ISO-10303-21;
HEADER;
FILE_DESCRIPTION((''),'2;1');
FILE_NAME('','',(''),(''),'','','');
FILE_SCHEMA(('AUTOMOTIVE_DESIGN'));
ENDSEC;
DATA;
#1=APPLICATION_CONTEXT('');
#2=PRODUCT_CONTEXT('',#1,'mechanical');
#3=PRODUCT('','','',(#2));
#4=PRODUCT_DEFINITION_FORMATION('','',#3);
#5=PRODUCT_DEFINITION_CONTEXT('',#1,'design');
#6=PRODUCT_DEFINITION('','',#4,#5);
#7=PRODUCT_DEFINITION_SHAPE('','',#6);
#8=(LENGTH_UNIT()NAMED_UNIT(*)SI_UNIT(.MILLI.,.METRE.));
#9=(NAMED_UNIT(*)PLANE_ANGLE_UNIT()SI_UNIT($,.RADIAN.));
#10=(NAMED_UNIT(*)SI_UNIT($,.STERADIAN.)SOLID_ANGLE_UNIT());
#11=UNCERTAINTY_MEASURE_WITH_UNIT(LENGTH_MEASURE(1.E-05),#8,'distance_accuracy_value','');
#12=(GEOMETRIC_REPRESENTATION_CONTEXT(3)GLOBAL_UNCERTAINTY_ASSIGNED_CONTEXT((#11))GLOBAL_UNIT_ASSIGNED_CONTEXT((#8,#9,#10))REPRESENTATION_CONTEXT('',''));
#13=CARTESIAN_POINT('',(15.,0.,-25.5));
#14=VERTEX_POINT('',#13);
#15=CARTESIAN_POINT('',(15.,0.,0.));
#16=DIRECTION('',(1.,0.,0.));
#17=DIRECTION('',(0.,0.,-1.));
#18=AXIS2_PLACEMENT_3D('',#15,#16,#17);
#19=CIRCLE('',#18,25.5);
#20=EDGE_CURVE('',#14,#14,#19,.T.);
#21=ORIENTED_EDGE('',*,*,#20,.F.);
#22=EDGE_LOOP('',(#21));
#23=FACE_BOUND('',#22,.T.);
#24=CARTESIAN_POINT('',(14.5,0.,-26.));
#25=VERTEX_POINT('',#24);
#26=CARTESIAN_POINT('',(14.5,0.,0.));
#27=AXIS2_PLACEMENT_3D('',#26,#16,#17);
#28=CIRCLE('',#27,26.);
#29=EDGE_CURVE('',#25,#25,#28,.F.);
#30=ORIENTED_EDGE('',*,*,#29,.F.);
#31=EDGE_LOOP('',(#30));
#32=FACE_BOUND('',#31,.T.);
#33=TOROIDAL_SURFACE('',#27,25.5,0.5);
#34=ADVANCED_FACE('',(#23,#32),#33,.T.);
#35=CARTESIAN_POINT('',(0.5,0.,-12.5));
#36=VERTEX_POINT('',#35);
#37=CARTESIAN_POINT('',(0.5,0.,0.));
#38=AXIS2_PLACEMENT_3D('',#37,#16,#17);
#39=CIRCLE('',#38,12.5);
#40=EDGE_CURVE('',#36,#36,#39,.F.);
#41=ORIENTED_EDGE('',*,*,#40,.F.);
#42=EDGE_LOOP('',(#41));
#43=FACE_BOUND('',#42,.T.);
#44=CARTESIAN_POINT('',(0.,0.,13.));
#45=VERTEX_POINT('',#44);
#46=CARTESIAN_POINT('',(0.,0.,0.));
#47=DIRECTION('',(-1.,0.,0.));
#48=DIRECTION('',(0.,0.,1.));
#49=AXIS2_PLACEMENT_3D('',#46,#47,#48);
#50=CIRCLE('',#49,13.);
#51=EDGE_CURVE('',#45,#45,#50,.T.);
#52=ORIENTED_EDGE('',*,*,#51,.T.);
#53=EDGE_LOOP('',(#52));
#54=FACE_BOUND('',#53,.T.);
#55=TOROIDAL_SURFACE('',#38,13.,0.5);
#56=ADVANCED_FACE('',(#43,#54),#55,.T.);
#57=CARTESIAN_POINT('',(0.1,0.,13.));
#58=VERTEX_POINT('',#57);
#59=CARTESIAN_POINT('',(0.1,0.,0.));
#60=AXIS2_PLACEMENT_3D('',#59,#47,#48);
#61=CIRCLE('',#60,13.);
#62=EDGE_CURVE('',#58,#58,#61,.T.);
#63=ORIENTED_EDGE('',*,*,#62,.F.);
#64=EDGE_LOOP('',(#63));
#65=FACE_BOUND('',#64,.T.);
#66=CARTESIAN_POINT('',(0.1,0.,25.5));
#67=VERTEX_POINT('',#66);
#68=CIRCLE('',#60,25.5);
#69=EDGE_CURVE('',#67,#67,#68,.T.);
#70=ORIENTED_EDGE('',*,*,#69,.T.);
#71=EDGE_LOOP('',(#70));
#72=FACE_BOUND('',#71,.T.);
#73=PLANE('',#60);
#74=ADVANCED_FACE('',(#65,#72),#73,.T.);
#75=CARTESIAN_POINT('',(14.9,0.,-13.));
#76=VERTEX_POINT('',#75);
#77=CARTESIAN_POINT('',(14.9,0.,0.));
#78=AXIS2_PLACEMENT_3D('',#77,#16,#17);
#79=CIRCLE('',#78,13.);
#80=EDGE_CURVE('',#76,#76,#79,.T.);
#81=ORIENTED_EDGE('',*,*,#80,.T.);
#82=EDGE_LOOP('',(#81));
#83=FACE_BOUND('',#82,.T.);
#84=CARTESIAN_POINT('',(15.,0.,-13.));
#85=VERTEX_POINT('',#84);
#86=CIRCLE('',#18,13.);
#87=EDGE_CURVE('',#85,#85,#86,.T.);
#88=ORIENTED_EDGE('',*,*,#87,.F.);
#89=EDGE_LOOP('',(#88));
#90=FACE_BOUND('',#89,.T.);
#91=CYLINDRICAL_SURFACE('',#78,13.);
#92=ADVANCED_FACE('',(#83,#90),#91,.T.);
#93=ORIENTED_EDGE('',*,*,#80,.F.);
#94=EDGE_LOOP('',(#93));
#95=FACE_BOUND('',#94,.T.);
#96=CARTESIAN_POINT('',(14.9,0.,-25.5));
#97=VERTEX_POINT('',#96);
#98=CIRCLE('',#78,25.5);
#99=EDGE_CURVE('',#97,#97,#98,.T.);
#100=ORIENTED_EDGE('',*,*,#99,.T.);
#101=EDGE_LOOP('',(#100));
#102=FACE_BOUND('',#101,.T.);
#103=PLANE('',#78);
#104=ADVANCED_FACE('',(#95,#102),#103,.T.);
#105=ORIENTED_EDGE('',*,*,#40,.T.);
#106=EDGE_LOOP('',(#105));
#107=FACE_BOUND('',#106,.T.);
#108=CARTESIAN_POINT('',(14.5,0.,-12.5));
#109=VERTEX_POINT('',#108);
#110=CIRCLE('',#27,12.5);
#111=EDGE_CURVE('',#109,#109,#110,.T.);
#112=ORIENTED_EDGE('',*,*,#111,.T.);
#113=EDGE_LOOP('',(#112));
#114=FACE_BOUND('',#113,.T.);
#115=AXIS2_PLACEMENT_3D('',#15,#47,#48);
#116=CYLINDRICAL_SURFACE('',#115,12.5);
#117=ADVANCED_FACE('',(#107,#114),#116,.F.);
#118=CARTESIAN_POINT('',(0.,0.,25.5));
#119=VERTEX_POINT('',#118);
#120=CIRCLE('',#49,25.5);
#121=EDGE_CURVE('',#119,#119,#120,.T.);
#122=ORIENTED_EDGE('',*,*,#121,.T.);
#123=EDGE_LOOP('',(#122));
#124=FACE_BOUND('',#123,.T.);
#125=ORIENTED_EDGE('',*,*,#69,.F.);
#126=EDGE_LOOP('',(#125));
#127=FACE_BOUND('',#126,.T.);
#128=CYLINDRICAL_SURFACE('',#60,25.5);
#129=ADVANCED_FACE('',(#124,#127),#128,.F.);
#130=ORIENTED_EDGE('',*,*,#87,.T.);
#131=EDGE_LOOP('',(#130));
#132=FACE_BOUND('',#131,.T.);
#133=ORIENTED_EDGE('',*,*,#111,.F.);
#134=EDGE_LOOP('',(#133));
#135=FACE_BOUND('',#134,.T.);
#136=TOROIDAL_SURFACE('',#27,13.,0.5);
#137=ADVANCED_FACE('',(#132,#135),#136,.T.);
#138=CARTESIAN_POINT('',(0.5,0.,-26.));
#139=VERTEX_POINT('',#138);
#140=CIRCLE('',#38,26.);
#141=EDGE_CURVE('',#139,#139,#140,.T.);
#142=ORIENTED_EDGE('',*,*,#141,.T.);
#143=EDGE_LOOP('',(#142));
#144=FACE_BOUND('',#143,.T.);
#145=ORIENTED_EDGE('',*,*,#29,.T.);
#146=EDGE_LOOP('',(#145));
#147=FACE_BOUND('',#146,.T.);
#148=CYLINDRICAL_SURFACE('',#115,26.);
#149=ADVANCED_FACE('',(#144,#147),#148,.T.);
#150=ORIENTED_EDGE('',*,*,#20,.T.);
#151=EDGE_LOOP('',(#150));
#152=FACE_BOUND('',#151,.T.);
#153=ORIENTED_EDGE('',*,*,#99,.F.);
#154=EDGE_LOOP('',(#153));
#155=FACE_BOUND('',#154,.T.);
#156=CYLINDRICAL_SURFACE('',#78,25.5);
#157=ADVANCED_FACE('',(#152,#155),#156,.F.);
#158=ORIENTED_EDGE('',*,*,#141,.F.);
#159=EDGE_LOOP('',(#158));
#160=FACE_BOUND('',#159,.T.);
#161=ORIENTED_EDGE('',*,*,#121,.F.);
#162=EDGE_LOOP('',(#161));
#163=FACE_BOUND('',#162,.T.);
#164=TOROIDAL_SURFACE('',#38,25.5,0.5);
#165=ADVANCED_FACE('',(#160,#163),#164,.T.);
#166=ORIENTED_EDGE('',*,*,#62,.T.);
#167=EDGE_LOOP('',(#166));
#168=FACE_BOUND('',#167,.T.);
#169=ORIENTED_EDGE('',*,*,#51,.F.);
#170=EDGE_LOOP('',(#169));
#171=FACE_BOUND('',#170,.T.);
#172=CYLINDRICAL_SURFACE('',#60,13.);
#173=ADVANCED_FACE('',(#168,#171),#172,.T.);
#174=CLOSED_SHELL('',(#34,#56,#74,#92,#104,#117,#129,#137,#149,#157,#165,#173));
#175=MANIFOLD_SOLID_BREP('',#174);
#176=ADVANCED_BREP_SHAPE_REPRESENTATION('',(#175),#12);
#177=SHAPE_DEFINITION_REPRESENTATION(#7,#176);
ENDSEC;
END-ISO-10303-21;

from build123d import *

# Parameters (mm, degrees)
SKETCH1_R                = 26
SKETCH1_R_2              = 12.5
BASE_EXTRUDE_DEPTH       = 15
RACCORDO1_R              = 0.5
SCHIZZO1_R               = 25.5
SCHIZZO1_R_2             = 13
TAGLIO_ESTRUSIONE1_DEPTH = 0.1
TAGLIO_ESTRUSIONE2_START = -0.1
SCHIZZO2_R               = 25.5
SCHIZZO2_R_2             = 13
TAGLIO_ESTRUSIONE2_DEPTH = 0.1


with BuildPart() as part:
    # Sketch1 → Base-Extrude (new body)
    with BuildSketch(Plane(origin=(0, 0, 0), x_dir=(0, 0, -1), z_dir=(1, 0, 0))):
        Circle(SKETCH1_R)
        Circle(SKETCH1_R_2, mode=Mode.SUBTRACT)
    extrude(amount=BASE_EXTRUDE_DEPTH)

    # Raccordo1
    raccordo1_edges = [part.edges().sort_by_distance(p)[0] for p in [
        (0, 0, 26),
        (15, 0, 26),
        (0, 0, 12.5),
        (15, 0, 12.5),
    ]]
    fillet(raccordo1_edges, radius=RACCORDO1_R)

    # Schizzo1 → Taglio-Estrusione1 (cut)
    with BuildSketch(Plane.ZY):
        Circle(SCHIZZO1_R)
        Circle(SCHIZZO1_R_2, mode=Mode.SUBTRACT)
    extrude(amount=-TAGLIO_ESTRUSIONE1_DEPTH, mode=Mode.SUBTRACT)

    # Schizzo2 → Taglio-Estrusione2 (cut)
    with BuildSketch(Plane(origin=(15, 0, 0), x_dir=(0, 0, -1), z_dir=(1, 0, 0)).offset(TAGLIO_ESTRUSIONE2_START)):
        with Locations(Location((0, 0, 0), (0, 0, 180))):
            Circle(SCHIZZO2_R)
        with Locations(Location((0, 0, 0), (0, 0, 180))):
            Circle(SCHIZZO2_R_2, mode=Mode.SUBTRACT)
    extrude(amount=TAGLIO_ESTRUSIONE2_DEPTH, mode=Mode.SUBTRACT)


solid = part.part
